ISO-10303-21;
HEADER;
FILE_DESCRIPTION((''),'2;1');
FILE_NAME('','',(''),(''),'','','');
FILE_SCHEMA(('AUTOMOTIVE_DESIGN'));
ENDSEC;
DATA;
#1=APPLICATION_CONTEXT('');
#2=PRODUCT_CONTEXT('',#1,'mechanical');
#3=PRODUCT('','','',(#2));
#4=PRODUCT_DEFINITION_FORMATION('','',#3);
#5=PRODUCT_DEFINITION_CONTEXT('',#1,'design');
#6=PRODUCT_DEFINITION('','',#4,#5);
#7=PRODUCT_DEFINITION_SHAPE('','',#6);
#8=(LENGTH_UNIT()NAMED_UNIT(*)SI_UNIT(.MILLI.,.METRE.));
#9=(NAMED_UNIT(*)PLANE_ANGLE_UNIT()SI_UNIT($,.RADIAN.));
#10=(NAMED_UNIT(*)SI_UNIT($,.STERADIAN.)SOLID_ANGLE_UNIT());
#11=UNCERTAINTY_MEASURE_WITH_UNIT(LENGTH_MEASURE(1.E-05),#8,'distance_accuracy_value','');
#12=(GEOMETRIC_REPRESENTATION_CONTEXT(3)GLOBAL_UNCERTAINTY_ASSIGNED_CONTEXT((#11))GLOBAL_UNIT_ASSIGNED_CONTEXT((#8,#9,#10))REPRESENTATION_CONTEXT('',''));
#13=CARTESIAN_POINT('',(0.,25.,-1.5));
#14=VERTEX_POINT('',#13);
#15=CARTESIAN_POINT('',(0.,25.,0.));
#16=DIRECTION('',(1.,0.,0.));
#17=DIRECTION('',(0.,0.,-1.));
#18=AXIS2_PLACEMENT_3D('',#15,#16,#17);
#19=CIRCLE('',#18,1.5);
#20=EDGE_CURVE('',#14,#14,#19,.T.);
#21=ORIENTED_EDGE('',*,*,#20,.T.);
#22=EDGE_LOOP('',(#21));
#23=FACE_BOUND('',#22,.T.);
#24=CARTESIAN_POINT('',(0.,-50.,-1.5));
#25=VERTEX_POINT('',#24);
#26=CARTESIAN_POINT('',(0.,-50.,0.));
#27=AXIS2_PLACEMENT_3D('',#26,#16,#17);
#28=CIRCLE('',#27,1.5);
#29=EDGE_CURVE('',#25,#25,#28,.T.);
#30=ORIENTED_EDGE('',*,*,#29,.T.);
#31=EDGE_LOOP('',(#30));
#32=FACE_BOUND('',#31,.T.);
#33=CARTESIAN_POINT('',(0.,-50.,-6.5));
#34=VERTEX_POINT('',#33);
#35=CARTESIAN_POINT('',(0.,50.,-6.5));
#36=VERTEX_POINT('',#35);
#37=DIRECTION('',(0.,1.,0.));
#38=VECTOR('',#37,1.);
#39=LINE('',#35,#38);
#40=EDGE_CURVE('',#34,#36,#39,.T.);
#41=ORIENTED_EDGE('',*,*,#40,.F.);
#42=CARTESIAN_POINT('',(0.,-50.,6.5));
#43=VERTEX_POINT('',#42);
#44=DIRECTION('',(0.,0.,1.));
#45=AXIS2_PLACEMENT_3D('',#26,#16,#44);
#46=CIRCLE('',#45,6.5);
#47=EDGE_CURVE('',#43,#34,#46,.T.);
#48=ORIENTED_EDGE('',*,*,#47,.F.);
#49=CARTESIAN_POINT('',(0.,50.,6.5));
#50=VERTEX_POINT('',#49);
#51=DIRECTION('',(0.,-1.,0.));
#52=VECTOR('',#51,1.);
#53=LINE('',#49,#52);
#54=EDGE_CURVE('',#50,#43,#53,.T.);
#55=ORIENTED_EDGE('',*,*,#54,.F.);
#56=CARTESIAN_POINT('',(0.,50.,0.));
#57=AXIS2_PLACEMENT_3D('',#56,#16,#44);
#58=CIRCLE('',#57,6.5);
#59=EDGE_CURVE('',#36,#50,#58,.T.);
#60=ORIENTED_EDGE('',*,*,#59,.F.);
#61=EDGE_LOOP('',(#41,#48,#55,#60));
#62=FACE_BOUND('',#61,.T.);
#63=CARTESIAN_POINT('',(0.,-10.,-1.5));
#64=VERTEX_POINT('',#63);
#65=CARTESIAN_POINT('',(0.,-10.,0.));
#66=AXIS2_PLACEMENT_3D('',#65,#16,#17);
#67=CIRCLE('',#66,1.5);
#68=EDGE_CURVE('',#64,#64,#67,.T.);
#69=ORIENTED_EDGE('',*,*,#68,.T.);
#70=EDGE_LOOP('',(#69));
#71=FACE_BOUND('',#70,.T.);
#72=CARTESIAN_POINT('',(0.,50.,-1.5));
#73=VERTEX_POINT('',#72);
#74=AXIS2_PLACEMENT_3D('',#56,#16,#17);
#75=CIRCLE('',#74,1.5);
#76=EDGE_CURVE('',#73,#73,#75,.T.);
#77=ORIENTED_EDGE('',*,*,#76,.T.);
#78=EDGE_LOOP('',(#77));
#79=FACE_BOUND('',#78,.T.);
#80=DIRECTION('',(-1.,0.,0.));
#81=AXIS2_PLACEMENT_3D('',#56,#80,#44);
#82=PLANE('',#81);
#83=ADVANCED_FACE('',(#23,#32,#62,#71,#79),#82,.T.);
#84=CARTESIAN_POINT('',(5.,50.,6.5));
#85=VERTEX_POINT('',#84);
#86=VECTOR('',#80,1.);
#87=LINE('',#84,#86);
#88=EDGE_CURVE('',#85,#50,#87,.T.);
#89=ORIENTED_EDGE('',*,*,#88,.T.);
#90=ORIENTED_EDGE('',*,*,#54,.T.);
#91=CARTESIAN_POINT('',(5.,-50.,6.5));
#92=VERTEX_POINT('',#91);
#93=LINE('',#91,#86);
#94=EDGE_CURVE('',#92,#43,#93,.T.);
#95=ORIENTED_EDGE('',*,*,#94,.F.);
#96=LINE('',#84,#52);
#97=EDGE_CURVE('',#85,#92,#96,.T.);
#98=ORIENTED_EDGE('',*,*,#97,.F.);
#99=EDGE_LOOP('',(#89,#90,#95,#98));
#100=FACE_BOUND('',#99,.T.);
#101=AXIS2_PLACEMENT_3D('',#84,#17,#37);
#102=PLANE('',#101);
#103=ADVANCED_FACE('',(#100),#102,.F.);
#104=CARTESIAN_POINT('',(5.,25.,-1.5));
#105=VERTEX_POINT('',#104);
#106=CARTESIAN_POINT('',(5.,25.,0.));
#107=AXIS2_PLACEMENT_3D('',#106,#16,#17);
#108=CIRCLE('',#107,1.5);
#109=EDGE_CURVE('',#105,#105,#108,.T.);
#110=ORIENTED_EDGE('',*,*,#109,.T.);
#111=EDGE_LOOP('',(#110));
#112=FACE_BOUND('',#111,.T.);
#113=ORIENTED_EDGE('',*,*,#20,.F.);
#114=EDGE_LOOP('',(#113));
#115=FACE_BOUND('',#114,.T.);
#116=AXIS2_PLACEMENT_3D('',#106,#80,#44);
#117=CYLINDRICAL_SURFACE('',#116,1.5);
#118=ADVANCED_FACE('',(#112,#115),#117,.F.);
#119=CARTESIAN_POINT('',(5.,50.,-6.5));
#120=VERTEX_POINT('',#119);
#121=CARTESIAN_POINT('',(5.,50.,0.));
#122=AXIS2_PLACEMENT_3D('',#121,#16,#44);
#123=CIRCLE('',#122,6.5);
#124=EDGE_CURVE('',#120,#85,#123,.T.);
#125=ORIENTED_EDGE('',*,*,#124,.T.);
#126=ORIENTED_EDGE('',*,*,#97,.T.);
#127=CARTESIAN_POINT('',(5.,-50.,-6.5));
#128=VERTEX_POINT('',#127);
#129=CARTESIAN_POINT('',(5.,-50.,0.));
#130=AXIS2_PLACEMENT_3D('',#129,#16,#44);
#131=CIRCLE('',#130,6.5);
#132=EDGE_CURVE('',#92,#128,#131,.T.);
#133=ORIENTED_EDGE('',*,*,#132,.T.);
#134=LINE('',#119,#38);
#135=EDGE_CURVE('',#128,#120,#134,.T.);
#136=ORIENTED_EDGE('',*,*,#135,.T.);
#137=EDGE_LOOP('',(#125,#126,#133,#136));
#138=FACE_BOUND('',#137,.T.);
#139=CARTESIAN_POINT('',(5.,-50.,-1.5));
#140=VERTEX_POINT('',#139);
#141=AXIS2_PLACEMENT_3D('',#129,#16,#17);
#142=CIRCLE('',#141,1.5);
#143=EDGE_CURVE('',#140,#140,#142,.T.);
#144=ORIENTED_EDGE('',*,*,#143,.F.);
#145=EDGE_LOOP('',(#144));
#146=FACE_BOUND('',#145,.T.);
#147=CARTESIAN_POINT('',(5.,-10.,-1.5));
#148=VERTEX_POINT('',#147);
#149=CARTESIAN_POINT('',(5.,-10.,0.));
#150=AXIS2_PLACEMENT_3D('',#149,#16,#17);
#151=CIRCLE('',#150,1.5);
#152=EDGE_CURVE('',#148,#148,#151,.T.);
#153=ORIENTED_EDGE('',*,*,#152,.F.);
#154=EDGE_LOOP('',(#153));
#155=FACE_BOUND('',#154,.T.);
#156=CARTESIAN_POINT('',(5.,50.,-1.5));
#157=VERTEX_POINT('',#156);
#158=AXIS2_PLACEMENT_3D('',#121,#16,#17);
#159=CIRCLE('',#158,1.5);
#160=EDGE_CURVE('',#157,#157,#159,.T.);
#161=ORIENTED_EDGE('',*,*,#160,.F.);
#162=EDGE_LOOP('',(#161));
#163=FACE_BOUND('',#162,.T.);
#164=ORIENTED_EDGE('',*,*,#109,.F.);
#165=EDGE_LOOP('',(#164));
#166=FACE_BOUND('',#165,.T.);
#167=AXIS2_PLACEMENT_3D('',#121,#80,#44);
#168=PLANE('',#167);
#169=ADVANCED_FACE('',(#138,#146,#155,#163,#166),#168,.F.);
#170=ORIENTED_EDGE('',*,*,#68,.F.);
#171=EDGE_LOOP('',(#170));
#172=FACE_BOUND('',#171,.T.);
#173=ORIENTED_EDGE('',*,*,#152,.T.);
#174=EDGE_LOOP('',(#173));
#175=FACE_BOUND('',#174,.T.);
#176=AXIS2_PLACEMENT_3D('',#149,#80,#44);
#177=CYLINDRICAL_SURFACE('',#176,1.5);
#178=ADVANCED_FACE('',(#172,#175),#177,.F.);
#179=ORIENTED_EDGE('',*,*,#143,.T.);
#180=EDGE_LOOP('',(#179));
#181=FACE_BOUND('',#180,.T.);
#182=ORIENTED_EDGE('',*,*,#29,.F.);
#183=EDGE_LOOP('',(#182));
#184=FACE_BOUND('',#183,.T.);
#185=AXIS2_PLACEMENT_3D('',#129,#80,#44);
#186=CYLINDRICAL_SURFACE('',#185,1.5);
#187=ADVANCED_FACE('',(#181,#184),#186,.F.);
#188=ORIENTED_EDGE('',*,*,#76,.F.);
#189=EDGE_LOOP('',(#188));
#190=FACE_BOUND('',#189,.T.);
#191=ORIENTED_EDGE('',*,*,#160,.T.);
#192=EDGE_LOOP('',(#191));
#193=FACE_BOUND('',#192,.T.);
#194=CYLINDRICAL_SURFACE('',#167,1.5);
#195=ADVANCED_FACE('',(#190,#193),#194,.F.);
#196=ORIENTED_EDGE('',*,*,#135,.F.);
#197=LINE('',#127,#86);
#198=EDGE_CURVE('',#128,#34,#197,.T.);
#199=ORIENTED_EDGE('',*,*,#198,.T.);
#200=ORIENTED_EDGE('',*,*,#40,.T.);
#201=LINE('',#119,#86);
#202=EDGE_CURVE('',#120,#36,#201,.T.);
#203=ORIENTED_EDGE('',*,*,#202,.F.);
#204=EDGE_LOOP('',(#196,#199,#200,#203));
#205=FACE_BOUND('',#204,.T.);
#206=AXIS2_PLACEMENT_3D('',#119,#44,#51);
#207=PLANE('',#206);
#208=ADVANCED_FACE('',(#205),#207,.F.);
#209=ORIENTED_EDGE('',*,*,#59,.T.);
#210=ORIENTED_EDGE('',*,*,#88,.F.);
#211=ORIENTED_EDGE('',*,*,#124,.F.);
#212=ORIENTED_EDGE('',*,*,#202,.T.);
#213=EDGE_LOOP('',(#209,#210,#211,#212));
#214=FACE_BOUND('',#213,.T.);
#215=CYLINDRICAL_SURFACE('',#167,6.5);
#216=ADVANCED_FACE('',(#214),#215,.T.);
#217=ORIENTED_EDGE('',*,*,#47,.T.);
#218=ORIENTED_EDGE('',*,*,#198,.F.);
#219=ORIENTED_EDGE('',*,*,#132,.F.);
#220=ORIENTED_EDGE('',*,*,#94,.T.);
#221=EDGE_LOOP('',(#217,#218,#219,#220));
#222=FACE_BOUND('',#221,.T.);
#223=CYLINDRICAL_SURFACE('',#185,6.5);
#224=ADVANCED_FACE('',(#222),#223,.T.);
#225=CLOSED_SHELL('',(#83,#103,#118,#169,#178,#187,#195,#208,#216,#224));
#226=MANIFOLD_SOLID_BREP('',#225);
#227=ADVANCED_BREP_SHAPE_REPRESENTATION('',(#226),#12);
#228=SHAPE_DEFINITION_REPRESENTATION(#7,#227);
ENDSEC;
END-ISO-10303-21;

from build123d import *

# Parameters (mm, degrees)
SKETCH1_R           = 1.5
BOSS_EXTRUDE1_DEPTH = 5


with BuildPart() as part:
    # Sketch1 → Boss-Extrude1 (new body)
    with BuildSketch(Plane(origin=(0, 0, 0), x_dir=(0, 0, -1), z_dir=(1, 0, 0))):
        with BuildLine():
            Line((-6.5, 50), (-6.5, -50))
            ThreePointArc((-6.5, -50), (0, -56.5), (6.5, -50))
            Line((6.5, -50), (6.5, 50))
            ThreePointArc((6.5, 50), (0, 56.5), (-6.5, 50))
        make_face()
        with Locations((0, 50)):
            Circle(SKETCH1_R, mode=Mode.SUBTRACT)
        with Locations((0, 25)):
            Circle(SKETCH1_R, mode=Mode.SUBTRACT)
        with Locations((0, -50)):
            Circle(SKETCH1_R, mode=Mode.SUBTRACT)
        with Locations((0, -10)):
            Circle(SKETCH1_R, mode=Mode.SUBTRACT)
    extrude(amount=BOSS_EXTRUDE1_DEPTH)


solid = part.part
